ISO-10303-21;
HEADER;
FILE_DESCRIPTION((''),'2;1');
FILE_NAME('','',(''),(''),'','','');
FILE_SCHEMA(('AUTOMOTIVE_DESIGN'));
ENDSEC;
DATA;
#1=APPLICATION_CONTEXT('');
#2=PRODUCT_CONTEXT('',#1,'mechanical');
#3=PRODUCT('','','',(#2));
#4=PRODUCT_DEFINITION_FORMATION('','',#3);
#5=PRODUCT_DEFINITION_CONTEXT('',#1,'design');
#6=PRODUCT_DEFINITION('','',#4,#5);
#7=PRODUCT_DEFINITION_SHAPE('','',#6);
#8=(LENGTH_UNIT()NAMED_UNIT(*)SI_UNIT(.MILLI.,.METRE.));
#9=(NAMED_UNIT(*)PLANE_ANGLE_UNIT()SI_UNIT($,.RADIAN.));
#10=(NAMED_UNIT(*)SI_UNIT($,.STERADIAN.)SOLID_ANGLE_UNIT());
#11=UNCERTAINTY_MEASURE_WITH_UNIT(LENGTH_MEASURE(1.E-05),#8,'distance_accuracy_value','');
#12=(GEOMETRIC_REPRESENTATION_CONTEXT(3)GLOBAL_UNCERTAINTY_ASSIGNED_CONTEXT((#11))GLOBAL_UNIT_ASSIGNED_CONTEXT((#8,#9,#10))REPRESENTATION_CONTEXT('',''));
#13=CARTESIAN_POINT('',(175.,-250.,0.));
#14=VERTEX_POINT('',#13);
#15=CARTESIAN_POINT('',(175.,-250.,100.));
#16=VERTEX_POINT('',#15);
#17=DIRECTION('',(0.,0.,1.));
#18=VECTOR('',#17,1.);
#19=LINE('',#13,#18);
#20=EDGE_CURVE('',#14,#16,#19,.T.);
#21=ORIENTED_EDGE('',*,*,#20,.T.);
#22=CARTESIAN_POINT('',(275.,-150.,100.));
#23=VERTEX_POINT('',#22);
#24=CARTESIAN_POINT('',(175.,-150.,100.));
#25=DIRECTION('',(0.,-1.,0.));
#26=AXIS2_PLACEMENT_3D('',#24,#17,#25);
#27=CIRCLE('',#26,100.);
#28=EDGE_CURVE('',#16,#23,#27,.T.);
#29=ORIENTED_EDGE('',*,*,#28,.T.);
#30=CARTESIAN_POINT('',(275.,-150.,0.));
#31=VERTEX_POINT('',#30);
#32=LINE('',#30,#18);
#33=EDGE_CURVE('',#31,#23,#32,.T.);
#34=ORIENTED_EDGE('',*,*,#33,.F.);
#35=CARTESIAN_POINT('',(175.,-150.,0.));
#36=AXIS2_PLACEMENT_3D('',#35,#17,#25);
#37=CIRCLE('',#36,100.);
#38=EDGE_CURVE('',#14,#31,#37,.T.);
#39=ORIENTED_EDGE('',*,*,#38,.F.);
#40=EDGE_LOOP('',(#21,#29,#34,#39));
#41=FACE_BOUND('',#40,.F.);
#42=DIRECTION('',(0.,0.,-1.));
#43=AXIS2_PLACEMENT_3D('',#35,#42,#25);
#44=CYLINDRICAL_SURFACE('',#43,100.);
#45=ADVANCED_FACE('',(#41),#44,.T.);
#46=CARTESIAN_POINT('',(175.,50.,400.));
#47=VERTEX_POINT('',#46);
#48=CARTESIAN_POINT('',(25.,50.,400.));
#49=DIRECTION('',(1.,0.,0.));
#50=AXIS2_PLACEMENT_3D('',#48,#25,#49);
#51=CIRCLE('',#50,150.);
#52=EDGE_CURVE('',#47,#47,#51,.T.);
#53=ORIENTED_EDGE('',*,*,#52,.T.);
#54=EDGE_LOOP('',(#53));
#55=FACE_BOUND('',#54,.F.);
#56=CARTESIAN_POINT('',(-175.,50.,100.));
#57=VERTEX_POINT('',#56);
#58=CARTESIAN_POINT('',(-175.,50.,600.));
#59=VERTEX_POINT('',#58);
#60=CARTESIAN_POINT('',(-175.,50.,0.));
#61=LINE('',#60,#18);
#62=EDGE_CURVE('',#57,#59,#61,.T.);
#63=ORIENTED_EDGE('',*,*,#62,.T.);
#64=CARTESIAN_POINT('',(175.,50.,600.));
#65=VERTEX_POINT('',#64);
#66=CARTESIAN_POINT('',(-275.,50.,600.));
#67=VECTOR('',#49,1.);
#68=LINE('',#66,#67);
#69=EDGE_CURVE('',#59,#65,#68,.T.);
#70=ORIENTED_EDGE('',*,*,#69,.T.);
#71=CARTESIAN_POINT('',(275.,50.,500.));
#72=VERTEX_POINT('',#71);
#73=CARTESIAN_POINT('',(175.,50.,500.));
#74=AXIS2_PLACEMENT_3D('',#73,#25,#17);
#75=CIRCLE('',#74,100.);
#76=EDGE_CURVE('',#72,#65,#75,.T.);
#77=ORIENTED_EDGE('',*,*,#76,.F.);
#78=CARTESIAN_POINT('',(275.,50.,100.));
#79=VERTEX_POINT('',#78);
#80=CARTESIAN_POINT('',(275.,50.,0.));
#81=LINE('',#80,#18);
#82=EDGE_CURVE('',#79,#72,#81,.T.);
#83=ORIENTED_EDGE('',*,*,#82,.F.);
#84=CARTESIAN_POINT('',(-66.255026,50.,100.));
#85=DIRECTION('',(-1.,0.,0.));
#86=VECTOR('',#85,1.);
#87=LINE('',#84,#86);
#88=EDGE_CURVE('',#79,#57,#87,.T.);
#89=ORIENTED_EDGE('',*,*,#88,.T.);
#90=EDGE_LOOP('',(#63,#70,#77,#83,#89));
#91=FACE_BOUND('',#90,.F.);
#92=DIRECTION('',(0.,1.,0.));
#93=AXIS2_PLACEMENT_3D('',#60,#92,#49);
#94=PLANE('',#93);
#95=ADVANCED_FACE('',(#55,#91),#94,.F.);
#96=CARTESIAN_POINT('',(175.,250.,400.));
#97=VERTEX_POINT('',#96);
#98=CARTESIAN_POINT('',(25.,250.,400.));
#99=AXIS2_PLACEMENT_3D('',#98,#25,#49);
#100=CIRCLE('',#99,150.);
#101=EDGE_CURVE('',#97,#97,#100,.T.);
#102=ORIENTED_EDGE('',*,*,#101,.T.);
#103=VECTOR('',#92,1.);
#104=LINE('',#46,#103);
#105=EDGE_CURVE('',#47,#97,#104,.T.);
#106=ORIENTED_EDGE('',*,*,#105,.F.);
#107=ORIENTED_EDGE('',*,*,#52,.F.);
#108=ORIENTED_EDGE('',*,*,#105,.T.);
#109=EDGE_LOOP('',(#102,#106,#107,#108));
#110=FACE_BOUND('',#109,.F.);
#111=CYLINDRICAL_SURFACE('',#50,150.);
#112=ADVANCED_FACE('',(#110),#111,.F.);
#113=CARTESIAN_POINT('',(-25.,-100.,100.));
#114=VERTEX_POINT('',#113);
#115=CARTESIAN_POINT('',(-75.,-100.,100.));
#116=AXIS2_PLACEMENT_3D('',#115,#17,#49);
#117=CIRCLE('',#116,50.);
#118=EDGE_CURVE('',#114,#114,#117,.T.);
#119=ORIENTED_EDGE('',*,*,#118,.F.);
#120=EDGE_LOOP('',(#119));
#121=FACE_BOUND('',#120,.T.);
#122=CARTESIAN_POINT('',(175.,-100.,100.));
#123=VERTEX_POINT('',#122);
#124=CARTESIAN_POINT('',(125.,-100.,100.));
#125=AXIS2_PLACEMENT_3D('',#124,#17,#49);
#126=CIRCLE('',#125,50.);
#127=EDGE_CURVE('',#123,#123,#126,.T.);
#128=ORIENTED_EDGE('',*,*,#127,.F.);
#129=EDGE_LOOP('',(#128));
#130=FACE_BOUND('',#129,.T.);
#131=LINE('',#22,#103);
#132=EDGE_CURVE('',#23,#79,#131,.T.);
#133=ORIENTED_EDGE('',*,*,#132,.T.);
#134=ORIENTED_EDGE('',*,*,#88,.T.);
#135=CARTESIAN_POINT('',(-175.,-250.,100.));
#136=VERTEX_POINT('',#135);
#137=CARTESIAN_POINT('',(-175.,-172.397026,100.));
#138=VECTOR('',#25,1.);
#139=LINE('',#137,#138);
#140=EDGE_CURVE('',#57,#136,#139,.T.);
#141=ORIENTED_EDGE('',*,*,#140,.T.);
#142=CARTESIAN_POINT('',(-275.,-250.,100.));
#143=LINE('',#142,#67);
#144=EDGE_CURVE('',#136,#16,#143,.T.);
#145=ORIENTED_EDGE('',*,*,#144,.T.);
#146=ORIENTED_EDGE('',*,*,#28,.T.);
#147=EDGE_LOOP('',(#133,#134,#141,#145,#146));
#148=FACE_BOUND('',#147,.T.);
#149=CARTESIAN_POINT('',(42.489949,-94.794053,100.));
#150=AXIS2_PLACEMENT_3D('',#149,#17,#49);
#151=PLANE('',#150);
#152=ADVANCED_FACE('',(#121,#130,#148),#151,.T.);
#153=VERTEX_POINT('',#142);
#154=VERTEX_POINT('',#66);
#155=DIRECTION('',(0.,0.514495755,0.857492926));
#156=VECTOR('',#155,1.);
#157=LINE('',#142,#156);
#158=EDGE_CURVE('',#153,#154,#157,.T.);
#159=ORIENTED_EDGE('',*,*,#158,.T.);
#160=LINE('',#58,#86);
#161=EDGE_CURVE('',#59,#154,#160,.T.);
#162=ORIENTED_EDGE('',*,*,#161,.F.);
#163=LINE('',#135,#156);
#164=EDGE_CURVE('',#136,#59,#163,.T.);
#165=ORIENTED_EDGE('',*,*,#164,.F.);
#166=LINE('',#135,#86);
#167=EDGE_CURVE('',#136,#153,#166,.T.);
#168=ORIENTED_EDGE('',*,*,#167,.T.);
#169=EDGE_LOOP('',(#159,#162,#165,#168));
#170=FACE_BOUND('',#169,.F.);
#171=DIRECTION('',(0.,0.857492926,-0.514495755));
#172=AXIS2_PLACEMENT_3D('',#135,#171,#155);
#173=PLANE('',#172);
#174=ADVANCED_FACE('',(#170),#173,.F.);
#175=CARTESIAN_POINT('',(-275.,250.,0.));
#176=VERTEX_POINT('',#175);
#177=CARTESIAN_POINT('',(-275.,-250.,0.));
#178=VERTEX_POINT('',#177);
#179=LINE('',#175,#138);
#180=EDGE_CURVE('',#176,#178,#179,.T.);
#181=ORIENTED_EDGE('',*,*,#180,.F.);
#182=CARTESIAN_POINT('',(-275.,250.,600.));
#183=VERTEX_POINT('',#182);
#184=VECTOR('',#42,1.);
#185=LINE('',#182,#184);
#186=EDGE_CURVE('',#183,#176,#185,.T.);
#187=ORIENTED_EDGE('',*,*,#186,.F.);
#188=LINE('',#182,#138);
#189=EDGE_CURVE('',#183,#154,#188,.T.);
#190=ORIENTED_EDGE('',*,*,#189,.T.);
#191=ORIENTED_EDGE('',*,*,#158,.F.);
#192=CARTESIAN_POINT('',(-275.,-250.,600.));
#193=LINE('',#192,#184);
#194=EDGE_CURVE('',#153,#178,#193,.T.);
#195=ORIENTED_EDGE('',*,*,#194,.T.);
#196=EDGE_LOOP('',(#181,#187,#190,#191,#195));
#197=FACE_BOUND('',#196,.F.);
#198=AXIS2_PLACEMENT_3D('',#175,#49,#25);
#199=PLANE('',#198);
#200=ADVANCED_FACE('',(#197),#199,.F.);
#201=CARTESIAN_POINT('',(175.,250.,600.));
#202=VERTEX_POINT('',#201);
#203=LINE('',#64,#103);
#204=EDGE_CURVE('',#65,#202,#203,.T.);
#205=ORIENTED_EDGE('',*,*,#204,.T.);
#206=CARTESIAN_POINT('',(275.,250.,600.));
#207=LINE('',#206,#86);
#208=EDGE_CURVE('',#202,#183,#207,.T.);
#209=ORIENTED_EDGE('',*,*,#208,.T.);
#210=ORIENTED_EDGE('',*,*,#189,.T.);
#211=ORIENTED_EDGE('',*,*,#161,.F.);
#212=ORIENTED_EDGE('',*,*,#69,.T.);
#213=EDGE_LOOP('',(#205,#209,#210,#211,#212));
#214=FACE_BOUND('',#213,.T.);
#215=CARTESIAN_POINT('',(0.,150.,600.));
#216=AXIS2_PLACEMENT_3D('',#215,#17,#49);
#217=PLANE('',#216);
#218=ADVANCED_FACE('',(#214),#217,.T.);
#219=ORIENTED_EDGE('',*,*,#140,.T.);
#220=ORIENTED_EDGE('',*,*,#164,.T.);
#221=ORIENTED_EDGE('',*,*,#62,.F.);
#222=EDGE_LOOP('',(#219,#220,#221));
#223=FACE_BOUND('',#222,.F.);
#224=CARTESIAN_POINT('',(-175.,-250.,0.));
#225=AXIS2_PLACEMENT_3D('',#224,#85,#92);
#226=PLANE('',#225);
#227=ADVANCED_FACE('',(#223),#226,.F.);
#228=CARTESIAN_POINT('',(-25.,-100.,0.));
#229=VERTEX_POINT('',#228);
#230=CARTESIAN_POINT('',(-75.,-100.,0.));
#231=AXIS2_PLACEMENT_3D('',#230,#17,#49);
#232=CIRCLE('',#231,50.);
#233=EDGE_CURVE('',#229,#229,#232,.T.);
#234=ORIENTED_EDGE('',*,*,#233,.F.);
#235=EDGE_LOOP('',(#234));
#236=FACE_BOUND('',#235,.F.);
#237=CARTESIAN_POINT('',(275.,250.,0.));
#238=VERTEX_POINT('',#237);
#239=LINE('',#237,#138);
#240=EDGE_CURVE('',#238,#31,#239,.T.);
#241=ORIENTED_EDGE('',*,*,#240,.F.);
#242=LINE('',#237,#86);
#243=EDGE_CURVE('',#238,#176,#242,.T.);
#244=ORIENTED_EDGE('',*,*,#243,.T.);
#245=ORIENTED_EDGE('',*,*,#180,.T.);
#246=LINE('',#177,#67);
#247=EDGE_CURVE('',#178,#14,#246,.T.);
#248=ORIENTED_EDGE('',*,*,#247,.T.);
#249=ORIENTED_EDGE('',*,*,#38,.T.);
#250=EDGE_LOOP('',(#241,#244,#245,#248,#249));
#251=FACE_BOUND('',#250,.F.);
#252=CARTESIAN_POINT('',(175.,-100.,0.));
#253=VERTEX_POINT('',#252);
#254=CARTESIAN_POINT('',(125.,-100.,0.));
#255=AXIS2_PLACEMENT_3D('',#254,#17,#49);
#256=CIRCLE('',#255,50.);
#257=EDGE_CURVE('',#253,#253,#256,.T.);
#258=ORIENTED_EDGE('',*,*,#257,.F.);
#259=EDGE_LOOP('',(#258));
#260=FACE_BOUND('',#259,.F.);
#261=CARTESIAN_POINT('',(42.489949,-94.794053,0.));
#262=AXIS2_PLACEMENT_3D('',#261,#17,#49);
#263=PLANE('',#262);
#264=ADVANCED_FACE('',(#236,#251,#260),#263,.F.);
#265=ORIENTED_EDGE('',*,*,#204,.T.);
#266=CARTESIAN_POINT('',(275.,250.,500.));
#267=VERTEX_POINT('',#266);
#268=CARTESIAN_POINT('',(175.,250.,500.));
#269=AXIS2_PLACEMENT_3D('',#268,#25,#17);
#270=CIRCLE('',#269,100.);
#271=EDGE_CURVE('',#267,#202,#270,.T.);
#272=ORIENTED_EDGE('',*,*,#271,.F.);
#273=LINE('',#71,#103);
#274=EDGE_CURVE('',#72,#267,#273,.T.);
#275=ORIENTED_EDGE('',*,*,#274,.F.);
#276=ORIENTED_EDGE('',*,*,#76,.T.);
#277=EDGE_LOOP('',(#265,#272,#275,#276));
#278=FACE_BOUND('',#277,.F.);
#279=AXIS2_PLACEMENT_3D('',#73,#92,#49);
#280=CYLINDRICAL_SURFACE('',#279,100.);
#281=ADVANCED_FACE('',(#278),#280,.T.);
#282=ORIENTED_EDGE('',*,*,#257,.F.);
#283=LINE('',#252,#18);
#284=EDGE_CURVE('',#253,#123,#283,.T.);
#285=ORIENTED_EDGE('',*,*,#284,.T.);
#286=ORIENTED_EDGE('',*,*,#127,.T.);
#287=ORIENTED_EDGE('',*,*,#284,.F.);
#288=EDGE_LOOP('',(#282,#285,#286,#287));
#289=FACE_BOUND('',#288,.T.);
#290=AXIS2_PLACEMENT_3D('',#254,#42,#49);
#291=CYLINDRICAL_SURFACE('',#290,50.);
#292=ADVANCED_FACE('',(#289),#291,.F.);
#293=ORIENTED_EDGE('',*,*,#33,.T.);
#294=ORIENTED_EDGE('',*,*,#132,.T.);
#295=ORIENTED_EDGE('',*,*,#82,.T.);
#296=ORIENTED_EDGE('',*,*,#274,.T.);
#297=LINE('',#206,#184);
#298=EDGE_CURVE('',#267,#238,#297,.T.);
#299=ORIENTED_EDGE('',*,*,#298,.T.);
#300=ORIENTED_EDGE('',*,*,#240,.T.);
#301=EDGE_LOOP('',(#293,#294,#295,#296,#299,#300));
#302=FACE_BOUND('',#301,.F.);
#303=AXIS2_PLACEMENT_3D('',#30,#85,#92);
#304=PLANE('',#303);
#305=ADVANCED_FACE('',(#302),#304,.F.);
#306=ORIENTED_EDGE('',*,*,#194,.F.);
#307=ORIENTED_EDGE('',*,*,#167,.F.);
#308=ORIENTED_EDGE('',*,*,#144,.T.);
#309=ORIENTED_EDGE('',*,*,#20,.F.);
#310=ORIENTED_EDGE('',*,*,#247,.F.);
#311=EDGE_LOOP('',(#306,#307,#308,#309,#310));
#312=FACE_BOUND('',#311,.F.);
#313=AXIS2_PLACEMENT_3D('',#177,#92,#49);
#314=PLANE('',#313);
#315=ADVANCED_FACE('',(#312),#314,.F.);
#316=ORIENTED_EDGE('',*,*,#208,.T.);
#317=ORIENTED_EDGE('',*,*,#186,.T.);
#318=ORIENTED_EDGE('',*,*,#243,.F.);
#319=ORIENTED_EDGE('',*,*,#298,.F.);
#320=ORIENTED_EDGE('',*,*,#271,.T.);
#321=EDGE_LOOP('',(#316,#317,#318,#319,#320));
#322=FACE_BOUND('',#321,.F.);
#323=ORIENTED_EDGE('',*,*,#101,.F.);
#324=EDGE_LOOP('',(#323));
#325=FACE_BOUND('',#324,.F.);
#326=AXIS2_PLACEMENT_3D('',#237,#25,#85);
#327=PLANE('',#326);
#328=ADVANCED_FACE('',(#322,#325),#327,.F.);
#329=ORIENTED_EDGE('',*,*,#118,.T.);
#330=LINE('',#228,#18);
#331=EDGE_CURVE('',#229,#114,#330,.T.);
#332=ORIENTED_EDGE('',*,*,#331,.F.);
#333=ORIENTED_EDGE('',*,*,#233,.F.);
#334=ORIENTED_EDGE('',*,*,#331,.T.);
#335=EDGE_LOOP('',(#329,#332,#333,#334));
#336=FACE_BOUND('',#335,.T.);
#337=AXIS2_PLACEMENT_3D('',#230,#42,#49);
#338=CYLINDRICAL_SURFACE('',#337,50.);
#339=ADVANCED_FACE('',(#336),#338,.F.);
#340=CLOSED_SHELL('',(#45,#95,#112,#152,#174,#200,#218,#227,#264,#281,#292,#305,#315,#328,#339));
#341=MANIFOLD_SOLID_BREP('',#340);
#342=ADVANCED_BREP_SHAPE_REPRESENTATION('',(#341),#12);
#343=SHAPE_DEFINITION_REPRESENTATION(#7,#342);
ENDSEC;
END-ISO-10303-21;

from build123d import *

# Parameters (mm, degrees)
F0_R     = 50
F0_W     = 100
F0_H     = 300
F1_DEPTH = 100
F2_DEPTH = 600
F3_R     = 100
F5_DEPTH = 100
F6_R     = 150
F7_DEPTH = 200


with BuildPart() as f1:
    # F0 (on Top) → F1 (new body)
    with BuildSketch(Plane.XY):
        with BuildLine():
            Line((-175, -250), (175, -250))
            ThreePointArc((175, -250), (245.7106781187, -220.7106781187), (275, -150))
            Line((275, -150), (275, 50))
            Line((275, 50), (-175, 50))
            Line((-175, 50), (-175, -250))
        make_face()
        with Locations((-75, -100)):
            Circle(F0_R, mode=Mode.SUBTRACT)
        with Locations((125, -100)):
            Circle(F0_R, mode=Mode.SUBTRACT)
        Polygon((-275, 50), (-175, 50), (275, 50), (275, 250), (-275, 250), align=None)
        with Locations((-225, -100)):
            Rectangle(F0_W, F0_H)
    extrude(amount=F1_DEPTH)

    # F0 (on Top) → F2 (join)
    with BuildSketch(Plane.XY):
        Polygon((-275, 50), (-175, 50), (275, 50), (275, 250), (-275, 250), align=None)
        with Locations((-225, -100)):
            Rectangle(F0_W, F0_H)
    extrude(amount=F2_DEPTH)

    # F3
    f3_edges = [f1.edges().sort_by_distance(p)[0] for p in [
        (275, 150, 600),
    ]]
    fillet(f3_edges, radius=F3_R)

    # F4 (on face) → F5 (cut)
    with BuildSketch(Plane.YZ.offset(-175)):
        Polygon((-250, 100), (50, 600), (-250, 600), align=None)
    extrude(amount=-F5_DEPTH, mode=Mode.SUBTRACT)

    # F6 (on face) → F7 (cut)
    with BuildSketch(Plane.XZ.offset(-50)):
        with Locations((25, 400)):
            Circle(F6_R)
    extrude(amount=-F7_DEPTH, mode=Mode.SUBTRACT)


solid = f1.part
